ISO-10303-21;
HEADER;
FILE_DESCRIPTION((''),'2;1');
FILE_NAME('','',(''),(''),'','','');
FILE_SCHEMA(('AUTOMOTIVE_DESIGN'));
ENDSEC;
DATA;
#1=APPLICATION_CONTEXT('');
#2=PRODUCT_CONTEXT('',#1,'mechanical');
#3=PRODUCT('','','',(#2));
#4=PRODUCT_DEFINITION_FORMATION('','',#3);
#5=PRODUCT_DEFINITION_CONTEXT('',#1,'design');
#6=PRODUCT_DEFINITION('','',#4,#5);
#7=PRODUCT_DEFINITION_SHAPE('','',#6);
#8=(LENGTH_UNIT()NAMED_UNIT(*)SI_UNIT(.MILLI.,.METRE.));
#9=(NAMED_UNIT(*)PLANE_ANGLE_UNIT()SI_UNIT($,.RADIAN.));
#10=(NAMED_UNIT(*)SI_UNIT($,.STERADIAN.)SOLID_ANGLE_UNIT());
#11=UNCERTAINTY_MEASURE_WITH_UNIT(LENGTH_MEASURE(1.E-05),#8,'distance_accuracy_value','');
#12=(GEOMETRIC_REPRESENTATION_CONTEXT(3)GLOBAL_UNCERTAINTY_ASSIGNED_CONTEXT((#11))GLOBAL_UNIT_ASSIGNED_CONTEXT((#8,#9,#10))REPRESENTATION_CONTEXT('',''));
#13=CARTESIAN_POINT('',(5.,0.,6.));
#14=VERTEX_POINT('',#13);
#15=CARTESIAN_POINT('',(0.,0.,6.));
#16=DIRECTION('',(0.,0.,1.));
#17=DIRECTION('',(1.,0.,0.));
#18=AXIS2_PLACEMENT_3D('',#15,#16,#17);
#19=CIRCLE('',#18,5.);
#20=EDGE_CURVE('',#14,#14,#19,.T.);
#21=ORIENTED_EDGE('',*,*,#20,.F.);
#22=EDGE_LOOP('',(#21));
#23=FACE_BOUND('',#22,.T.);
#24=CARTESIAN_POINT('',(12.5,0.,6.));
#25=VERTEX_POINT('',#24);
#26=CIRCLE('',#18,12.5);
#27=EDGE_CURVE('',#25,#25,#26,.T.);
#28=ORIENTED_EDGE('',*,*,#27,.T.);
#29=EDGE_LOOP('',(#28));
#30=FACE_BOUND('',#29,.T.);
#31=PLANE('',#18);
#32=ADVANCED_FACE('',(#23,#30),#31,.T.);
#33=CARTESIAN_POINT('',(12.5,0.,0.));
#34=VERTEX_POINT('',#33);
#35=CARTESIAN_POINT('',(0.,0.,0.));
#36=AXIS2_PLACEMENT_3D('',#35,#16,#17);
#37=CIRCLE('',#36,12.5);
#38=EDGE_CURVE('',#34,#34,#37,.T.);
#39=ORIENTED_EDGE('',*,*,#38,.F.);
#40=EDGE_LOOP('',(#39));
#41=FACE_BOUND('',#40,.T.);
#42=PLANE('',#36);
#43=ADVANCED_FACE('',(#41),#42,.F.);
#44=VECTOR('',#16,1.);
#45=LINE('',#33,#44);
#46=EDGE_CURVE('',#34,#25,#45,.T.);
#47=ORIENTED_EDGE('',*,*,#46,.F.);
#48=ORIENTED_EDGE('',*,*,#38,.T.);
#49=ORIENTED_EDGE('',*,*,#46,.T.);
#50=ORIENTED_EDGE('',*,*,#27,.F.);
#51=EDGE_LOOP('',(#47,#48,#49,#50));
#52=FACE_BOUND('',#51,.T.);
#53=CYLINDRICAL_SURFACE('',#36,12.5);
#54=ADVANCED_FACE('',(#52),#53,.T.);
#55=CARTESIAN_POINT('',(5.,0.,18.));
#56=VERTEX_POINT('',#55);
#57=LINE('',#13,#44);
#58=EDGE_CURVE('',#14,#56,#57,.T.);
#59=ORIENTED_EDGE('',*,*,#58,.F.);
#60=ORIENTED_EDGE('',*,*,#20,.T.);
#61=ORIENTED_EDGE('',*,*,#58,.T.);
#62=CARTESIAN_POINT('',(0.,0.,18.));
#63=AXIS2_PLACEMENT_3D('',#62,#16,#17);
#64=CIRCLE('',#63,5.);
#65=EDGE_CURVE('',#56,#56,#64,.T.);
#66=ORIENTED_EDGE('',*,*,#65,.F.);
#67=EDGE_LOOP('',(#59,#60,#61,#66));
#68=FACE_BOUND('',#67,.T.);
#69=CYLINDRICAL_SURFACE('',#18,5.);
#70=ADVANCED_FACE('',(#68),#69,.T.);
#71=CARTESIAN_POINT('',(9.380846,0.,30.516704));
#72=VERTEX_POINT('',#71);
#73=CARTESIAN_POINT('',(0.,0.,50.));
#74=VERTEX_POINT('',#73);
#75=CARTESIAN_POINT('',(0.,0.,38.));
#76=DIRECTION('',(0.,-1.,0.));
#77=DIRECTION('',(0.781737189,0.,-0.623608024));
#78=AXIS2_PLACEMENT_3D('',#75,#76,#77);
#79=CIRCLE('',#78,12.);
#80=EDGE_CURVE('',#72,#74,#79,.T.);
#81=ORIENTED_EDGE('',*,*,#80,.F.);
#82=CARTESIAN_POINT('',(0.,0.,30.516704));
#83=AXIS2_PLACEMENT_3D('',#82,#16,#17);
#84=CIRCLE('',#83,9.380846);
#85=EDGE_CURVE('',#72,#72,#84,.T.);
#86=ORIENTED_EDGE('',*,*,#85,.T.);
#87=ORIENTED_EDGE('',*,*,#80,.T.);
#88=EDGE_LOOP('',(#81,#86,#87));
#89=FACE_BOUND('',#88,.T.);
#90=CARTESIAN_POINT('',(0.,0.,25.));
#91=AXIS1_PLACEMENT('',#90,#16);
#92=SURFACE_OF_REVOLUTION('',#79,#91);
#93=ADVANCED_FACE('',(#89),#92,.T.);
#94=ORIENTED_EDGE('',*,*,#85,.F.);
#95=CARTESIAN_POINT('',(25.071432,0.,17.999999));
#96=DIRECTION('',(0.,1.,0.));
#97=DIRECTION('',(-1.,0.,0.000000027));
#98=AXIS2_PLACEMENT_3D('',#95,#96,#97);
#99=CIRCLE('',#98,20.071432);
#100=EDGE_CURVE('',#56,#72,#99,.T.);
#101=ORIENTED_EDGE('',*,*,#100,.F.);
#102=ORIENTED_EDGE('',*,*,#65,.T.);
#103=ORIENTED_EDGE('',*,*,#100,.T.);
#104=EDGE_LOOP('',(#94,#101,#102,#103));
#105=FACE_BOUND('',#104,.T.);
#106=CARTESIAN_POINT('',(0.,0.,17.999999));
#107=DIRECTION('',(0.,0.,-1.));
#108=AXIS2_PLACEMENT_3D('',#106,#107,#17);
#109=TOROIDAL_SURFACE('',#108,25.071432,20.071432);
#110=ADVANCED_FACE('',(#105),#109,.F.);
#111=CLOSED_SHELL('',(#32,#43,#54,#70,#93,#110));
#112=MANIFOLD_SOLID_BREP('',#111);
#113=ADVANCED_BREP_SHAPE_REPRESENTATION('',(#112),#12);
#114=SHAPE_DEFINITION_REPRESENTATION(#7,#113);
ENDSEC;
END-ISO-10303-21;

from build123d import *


with BuildPart() as f1:
    # F0 (on Front) → F1 (revolve)
    with BuildSketch(Plane.XZ):
        with BuildLine():
            Line((5, 6), (5, 18))
            ThreePointArc((5, 18), (6.126843, 24.630605), (9.380846, 30.516704))
            ThreePointArc((9.380846, 30.516704), (10.81202, 43.205787), (0, 50))
            Line((0, 50), (0, 0))
            Line((0, 0), (12.5, 0))
            Line((12.5, 0), (12.5, 6))
            Line((12.5, 6), (5, 6))
        make_face()
    revolve(axis=Axis((0, 0, 25), (0, 0, 1)))


solid = f1.part
